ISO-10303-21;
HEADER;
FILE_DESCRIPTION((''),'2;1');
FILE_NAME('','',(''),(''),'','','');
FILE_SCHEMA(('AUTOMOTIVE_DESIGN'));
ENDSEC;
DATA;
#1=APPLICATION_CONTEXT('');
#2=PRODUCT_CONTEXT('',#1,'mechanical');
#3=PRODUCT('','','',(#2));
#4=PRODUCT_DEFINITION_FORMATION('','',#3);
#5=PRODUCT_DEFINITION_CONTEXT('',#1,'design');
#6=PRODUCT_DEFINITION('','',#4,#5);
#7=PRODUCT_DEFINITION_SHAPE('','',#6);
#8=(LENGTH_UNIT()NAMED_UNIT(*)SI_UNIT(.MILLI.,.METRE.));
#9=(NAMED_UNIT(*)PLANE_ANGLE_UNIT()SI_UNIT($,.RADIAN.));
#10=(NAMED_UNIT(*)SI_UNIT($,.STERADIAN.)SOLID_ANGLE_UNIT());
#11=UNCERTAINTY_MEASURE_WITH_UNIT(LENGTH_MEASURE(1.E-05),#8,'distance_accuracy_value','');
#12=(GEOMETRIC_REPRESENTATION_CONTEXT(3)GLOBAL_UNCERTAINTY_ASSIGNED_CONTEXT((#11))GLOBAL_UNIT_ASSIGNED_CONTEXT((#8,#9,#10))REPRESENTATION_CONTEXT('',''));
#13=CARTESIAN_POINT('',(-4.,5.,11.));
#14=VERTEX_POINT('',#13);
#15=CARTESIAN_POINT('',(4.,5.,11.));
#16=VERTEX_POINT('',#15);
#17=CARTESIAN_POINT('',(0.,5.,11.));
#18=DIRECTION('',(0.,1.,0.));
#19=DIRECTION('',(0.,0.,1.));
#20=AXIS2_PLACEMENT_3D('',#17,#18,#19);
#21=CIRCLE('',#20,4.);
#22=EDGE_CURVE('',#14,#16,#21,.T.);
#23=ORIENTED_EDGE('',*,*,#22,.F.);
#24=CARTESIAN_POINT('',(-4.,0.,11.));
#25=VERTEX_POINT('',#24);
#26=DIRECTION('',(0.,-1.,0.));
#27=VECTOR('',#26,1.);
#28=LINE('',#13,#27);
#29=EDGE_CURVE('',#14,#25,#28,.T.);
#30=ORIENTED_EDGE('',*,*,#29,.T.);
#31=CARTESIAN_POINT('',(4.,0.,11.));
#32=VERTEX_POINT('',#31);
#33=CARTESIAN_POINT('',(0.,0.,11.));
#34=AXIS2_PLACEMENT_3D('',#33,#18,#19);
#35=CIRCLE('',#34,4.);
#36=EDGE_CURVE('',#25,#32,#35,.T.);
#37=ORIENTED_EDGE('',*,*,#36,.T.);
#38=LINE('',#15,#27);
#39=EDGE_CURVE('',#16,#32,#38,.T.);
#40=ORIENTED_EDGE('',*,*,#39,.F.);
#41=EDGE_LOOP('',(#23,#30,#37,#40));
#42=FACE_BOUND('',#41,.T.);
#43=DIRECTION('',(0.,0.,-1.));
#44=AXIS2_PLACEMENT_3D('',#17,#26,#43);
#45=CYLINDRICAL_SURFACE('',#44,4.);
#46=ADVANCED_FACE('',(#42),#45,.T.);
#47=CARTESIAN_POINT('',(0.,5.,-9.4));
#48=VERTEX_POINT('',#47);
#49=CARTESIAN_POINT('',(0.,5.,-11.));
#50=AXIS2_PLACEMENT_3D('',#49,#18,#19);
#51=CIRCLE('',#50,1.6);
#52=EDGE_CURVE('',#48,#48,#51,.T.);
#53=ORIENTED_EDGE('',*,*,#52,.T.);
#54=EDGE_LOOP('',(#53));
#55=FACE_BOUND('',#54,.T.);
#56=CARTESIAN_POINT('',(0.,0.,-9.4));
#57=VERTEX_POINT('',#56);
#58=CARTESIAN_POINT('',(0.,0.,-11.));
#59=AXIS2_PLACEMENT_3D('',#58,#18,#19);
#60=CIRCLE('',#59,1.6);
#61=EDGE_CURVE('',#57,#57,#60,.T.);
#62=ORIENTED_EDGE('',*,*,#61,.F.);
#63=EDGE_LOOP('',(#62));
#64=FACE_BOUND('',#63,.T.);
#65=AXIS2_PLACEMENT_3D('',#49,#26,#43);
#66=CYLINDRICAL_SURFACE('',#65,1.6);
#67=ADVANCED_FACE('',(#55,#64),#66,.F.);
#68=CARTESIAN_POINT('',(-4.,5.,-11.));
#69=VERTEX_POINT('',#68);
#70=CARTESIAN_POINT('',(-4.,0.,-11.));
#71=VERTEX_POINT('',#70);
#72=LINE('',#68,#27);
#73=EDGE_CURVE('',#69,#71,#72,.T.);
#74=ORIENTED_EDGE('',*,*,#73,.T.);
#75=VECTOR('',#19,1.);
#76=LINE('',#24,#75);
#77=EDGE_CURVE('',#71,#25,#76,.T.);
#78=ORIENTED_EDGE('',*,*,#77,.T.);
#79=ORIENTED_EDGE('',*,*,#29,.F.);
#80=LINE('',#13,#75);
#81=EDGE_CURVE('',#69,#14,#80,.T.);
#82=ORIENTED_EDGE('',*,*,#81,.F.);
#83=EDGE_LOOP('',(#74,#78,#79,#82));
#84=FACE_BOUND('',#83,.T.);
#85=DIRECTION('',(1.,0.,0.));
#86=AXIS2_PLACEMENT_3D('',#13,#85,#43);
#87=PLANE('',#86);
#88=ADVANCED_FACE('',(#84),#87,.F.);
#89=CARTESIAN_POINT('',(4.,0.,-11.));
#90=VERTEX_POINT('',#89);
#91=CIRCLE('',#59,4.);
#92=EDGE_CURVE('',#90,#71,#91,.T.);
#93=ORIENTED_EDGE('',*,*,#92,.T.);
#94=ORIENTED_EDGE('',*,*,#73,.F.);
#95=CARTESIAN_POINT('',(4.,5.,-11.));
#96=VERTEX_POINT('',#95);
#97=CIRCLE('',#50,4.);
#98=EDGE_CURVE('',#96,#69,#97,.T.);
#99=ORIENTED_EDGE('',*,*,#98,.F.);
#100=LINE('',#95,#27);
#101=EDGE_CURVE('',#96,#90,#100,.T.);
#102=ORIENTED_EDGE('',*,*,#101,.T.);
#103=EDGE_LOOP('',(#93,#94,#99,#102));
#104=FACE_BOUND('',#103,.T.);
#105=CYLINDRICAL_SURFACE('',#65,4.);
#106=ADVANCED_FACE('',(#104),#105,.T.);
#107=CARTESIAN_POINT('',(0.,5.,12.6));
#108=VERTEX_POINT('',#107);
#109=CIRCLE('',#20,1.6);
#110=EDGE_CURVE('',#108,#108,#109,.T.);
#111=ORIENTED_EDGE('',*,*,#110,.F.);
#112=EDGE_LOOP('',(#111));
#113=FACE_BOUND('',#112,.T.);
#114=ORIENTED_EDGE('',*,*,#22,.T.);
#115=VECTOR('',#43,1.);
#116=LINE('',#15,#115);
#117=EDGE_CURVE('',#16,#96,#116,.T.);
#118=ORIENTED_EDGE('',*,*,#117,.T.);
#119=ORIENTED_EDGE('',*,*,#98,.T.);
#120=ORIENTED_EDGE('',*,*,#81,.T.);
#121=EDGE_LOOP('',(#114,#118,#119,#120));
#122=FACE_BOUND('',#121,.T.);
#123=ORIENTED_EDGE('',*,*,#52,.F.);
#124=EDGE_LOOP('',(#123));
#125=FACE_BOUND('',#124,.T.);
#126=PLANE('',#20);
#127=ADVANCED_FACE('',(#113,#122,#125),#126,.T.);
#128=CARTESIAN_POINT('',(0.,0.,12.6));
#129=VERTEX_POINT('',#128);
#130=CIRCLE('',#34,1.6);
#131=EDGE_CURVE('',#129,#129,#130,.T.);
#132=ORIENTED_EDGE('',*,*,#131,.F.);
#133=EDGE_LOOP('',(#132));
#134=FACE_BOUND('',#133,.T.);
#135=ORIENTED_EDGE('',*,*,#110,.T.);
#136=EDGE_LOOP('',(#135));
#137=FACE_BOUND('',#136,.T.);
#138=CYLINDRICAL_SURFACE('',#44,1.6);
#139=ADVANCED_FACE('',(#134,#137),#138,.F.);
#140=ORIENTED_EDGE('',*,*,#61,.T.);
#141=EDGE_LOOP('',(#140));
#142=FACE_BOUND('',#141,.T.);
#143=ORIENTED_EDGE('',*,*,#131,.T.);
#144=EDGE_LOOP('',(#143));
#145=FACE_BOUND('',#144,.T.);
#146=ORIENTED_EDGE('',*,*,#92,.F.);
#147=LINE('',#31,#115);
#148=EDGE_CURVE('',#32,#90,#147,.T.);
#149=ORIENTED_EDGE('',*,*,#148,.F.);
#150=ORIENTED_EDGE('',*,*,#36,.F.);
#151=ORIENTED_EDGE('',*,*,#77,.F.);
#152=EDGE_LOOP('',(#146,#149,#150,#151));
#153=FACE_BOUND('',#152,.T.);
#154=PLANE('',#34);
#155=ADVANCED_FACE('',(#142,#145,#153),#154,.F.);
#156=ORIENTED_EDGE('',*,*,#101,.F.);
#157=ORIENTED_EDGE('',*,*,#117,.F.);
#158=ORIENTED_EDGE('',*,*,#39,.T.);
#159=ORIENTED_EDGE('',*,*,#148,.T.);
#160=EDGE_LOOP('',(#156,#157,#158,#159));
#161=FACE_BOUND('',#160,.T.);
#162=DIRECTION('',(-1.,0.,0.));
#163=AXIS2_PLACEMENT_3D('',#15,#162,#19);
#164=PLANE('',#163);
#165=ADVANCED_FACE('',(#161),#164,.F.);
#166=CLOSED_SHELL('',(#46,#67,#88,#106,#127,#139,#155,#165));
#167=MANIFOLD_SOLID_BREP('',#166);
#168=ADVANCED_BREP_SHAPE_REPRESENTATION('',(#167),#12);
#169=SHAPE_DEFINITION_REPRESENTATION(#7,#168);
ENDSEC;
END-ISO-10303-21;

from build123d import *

# Parameters (mm, degrees)
SKETCH_1_R      = 1.6
EXTRUDE_1_DEPTH = 5


with BuildPart() as part:
    # 草图1 → 凸台-拉伸1 (new body)
    with BuildSketch(Plane(origin=(0, 0, 0), x_dir=(1, 0, 0), z_dir=(0, 1, 0))):
        with BuildLine():
            Line((-4, -11), (-4, 11))
            ThreePointArc((-4, 11), (0, 15), (4, 11))
            Line((4, 11), (4, -11))
            ThreePointArc((4, -11), (0, -15), (-4, -11))
        make_face()
        with Locations(Location((0, 11, 0), (0, 0, 270))):
            Circle(SKETCH_1_R, mode=Mode.SUBTRACT)
        with Locations(Location((0, -11, 0), (0, 0, 270))):
            Circle(SKETCH_1_R, mode=Mode.SUBTRACT)
    extrude(amount=EXTRUDE_1_DEPTH)


solid = part.part
